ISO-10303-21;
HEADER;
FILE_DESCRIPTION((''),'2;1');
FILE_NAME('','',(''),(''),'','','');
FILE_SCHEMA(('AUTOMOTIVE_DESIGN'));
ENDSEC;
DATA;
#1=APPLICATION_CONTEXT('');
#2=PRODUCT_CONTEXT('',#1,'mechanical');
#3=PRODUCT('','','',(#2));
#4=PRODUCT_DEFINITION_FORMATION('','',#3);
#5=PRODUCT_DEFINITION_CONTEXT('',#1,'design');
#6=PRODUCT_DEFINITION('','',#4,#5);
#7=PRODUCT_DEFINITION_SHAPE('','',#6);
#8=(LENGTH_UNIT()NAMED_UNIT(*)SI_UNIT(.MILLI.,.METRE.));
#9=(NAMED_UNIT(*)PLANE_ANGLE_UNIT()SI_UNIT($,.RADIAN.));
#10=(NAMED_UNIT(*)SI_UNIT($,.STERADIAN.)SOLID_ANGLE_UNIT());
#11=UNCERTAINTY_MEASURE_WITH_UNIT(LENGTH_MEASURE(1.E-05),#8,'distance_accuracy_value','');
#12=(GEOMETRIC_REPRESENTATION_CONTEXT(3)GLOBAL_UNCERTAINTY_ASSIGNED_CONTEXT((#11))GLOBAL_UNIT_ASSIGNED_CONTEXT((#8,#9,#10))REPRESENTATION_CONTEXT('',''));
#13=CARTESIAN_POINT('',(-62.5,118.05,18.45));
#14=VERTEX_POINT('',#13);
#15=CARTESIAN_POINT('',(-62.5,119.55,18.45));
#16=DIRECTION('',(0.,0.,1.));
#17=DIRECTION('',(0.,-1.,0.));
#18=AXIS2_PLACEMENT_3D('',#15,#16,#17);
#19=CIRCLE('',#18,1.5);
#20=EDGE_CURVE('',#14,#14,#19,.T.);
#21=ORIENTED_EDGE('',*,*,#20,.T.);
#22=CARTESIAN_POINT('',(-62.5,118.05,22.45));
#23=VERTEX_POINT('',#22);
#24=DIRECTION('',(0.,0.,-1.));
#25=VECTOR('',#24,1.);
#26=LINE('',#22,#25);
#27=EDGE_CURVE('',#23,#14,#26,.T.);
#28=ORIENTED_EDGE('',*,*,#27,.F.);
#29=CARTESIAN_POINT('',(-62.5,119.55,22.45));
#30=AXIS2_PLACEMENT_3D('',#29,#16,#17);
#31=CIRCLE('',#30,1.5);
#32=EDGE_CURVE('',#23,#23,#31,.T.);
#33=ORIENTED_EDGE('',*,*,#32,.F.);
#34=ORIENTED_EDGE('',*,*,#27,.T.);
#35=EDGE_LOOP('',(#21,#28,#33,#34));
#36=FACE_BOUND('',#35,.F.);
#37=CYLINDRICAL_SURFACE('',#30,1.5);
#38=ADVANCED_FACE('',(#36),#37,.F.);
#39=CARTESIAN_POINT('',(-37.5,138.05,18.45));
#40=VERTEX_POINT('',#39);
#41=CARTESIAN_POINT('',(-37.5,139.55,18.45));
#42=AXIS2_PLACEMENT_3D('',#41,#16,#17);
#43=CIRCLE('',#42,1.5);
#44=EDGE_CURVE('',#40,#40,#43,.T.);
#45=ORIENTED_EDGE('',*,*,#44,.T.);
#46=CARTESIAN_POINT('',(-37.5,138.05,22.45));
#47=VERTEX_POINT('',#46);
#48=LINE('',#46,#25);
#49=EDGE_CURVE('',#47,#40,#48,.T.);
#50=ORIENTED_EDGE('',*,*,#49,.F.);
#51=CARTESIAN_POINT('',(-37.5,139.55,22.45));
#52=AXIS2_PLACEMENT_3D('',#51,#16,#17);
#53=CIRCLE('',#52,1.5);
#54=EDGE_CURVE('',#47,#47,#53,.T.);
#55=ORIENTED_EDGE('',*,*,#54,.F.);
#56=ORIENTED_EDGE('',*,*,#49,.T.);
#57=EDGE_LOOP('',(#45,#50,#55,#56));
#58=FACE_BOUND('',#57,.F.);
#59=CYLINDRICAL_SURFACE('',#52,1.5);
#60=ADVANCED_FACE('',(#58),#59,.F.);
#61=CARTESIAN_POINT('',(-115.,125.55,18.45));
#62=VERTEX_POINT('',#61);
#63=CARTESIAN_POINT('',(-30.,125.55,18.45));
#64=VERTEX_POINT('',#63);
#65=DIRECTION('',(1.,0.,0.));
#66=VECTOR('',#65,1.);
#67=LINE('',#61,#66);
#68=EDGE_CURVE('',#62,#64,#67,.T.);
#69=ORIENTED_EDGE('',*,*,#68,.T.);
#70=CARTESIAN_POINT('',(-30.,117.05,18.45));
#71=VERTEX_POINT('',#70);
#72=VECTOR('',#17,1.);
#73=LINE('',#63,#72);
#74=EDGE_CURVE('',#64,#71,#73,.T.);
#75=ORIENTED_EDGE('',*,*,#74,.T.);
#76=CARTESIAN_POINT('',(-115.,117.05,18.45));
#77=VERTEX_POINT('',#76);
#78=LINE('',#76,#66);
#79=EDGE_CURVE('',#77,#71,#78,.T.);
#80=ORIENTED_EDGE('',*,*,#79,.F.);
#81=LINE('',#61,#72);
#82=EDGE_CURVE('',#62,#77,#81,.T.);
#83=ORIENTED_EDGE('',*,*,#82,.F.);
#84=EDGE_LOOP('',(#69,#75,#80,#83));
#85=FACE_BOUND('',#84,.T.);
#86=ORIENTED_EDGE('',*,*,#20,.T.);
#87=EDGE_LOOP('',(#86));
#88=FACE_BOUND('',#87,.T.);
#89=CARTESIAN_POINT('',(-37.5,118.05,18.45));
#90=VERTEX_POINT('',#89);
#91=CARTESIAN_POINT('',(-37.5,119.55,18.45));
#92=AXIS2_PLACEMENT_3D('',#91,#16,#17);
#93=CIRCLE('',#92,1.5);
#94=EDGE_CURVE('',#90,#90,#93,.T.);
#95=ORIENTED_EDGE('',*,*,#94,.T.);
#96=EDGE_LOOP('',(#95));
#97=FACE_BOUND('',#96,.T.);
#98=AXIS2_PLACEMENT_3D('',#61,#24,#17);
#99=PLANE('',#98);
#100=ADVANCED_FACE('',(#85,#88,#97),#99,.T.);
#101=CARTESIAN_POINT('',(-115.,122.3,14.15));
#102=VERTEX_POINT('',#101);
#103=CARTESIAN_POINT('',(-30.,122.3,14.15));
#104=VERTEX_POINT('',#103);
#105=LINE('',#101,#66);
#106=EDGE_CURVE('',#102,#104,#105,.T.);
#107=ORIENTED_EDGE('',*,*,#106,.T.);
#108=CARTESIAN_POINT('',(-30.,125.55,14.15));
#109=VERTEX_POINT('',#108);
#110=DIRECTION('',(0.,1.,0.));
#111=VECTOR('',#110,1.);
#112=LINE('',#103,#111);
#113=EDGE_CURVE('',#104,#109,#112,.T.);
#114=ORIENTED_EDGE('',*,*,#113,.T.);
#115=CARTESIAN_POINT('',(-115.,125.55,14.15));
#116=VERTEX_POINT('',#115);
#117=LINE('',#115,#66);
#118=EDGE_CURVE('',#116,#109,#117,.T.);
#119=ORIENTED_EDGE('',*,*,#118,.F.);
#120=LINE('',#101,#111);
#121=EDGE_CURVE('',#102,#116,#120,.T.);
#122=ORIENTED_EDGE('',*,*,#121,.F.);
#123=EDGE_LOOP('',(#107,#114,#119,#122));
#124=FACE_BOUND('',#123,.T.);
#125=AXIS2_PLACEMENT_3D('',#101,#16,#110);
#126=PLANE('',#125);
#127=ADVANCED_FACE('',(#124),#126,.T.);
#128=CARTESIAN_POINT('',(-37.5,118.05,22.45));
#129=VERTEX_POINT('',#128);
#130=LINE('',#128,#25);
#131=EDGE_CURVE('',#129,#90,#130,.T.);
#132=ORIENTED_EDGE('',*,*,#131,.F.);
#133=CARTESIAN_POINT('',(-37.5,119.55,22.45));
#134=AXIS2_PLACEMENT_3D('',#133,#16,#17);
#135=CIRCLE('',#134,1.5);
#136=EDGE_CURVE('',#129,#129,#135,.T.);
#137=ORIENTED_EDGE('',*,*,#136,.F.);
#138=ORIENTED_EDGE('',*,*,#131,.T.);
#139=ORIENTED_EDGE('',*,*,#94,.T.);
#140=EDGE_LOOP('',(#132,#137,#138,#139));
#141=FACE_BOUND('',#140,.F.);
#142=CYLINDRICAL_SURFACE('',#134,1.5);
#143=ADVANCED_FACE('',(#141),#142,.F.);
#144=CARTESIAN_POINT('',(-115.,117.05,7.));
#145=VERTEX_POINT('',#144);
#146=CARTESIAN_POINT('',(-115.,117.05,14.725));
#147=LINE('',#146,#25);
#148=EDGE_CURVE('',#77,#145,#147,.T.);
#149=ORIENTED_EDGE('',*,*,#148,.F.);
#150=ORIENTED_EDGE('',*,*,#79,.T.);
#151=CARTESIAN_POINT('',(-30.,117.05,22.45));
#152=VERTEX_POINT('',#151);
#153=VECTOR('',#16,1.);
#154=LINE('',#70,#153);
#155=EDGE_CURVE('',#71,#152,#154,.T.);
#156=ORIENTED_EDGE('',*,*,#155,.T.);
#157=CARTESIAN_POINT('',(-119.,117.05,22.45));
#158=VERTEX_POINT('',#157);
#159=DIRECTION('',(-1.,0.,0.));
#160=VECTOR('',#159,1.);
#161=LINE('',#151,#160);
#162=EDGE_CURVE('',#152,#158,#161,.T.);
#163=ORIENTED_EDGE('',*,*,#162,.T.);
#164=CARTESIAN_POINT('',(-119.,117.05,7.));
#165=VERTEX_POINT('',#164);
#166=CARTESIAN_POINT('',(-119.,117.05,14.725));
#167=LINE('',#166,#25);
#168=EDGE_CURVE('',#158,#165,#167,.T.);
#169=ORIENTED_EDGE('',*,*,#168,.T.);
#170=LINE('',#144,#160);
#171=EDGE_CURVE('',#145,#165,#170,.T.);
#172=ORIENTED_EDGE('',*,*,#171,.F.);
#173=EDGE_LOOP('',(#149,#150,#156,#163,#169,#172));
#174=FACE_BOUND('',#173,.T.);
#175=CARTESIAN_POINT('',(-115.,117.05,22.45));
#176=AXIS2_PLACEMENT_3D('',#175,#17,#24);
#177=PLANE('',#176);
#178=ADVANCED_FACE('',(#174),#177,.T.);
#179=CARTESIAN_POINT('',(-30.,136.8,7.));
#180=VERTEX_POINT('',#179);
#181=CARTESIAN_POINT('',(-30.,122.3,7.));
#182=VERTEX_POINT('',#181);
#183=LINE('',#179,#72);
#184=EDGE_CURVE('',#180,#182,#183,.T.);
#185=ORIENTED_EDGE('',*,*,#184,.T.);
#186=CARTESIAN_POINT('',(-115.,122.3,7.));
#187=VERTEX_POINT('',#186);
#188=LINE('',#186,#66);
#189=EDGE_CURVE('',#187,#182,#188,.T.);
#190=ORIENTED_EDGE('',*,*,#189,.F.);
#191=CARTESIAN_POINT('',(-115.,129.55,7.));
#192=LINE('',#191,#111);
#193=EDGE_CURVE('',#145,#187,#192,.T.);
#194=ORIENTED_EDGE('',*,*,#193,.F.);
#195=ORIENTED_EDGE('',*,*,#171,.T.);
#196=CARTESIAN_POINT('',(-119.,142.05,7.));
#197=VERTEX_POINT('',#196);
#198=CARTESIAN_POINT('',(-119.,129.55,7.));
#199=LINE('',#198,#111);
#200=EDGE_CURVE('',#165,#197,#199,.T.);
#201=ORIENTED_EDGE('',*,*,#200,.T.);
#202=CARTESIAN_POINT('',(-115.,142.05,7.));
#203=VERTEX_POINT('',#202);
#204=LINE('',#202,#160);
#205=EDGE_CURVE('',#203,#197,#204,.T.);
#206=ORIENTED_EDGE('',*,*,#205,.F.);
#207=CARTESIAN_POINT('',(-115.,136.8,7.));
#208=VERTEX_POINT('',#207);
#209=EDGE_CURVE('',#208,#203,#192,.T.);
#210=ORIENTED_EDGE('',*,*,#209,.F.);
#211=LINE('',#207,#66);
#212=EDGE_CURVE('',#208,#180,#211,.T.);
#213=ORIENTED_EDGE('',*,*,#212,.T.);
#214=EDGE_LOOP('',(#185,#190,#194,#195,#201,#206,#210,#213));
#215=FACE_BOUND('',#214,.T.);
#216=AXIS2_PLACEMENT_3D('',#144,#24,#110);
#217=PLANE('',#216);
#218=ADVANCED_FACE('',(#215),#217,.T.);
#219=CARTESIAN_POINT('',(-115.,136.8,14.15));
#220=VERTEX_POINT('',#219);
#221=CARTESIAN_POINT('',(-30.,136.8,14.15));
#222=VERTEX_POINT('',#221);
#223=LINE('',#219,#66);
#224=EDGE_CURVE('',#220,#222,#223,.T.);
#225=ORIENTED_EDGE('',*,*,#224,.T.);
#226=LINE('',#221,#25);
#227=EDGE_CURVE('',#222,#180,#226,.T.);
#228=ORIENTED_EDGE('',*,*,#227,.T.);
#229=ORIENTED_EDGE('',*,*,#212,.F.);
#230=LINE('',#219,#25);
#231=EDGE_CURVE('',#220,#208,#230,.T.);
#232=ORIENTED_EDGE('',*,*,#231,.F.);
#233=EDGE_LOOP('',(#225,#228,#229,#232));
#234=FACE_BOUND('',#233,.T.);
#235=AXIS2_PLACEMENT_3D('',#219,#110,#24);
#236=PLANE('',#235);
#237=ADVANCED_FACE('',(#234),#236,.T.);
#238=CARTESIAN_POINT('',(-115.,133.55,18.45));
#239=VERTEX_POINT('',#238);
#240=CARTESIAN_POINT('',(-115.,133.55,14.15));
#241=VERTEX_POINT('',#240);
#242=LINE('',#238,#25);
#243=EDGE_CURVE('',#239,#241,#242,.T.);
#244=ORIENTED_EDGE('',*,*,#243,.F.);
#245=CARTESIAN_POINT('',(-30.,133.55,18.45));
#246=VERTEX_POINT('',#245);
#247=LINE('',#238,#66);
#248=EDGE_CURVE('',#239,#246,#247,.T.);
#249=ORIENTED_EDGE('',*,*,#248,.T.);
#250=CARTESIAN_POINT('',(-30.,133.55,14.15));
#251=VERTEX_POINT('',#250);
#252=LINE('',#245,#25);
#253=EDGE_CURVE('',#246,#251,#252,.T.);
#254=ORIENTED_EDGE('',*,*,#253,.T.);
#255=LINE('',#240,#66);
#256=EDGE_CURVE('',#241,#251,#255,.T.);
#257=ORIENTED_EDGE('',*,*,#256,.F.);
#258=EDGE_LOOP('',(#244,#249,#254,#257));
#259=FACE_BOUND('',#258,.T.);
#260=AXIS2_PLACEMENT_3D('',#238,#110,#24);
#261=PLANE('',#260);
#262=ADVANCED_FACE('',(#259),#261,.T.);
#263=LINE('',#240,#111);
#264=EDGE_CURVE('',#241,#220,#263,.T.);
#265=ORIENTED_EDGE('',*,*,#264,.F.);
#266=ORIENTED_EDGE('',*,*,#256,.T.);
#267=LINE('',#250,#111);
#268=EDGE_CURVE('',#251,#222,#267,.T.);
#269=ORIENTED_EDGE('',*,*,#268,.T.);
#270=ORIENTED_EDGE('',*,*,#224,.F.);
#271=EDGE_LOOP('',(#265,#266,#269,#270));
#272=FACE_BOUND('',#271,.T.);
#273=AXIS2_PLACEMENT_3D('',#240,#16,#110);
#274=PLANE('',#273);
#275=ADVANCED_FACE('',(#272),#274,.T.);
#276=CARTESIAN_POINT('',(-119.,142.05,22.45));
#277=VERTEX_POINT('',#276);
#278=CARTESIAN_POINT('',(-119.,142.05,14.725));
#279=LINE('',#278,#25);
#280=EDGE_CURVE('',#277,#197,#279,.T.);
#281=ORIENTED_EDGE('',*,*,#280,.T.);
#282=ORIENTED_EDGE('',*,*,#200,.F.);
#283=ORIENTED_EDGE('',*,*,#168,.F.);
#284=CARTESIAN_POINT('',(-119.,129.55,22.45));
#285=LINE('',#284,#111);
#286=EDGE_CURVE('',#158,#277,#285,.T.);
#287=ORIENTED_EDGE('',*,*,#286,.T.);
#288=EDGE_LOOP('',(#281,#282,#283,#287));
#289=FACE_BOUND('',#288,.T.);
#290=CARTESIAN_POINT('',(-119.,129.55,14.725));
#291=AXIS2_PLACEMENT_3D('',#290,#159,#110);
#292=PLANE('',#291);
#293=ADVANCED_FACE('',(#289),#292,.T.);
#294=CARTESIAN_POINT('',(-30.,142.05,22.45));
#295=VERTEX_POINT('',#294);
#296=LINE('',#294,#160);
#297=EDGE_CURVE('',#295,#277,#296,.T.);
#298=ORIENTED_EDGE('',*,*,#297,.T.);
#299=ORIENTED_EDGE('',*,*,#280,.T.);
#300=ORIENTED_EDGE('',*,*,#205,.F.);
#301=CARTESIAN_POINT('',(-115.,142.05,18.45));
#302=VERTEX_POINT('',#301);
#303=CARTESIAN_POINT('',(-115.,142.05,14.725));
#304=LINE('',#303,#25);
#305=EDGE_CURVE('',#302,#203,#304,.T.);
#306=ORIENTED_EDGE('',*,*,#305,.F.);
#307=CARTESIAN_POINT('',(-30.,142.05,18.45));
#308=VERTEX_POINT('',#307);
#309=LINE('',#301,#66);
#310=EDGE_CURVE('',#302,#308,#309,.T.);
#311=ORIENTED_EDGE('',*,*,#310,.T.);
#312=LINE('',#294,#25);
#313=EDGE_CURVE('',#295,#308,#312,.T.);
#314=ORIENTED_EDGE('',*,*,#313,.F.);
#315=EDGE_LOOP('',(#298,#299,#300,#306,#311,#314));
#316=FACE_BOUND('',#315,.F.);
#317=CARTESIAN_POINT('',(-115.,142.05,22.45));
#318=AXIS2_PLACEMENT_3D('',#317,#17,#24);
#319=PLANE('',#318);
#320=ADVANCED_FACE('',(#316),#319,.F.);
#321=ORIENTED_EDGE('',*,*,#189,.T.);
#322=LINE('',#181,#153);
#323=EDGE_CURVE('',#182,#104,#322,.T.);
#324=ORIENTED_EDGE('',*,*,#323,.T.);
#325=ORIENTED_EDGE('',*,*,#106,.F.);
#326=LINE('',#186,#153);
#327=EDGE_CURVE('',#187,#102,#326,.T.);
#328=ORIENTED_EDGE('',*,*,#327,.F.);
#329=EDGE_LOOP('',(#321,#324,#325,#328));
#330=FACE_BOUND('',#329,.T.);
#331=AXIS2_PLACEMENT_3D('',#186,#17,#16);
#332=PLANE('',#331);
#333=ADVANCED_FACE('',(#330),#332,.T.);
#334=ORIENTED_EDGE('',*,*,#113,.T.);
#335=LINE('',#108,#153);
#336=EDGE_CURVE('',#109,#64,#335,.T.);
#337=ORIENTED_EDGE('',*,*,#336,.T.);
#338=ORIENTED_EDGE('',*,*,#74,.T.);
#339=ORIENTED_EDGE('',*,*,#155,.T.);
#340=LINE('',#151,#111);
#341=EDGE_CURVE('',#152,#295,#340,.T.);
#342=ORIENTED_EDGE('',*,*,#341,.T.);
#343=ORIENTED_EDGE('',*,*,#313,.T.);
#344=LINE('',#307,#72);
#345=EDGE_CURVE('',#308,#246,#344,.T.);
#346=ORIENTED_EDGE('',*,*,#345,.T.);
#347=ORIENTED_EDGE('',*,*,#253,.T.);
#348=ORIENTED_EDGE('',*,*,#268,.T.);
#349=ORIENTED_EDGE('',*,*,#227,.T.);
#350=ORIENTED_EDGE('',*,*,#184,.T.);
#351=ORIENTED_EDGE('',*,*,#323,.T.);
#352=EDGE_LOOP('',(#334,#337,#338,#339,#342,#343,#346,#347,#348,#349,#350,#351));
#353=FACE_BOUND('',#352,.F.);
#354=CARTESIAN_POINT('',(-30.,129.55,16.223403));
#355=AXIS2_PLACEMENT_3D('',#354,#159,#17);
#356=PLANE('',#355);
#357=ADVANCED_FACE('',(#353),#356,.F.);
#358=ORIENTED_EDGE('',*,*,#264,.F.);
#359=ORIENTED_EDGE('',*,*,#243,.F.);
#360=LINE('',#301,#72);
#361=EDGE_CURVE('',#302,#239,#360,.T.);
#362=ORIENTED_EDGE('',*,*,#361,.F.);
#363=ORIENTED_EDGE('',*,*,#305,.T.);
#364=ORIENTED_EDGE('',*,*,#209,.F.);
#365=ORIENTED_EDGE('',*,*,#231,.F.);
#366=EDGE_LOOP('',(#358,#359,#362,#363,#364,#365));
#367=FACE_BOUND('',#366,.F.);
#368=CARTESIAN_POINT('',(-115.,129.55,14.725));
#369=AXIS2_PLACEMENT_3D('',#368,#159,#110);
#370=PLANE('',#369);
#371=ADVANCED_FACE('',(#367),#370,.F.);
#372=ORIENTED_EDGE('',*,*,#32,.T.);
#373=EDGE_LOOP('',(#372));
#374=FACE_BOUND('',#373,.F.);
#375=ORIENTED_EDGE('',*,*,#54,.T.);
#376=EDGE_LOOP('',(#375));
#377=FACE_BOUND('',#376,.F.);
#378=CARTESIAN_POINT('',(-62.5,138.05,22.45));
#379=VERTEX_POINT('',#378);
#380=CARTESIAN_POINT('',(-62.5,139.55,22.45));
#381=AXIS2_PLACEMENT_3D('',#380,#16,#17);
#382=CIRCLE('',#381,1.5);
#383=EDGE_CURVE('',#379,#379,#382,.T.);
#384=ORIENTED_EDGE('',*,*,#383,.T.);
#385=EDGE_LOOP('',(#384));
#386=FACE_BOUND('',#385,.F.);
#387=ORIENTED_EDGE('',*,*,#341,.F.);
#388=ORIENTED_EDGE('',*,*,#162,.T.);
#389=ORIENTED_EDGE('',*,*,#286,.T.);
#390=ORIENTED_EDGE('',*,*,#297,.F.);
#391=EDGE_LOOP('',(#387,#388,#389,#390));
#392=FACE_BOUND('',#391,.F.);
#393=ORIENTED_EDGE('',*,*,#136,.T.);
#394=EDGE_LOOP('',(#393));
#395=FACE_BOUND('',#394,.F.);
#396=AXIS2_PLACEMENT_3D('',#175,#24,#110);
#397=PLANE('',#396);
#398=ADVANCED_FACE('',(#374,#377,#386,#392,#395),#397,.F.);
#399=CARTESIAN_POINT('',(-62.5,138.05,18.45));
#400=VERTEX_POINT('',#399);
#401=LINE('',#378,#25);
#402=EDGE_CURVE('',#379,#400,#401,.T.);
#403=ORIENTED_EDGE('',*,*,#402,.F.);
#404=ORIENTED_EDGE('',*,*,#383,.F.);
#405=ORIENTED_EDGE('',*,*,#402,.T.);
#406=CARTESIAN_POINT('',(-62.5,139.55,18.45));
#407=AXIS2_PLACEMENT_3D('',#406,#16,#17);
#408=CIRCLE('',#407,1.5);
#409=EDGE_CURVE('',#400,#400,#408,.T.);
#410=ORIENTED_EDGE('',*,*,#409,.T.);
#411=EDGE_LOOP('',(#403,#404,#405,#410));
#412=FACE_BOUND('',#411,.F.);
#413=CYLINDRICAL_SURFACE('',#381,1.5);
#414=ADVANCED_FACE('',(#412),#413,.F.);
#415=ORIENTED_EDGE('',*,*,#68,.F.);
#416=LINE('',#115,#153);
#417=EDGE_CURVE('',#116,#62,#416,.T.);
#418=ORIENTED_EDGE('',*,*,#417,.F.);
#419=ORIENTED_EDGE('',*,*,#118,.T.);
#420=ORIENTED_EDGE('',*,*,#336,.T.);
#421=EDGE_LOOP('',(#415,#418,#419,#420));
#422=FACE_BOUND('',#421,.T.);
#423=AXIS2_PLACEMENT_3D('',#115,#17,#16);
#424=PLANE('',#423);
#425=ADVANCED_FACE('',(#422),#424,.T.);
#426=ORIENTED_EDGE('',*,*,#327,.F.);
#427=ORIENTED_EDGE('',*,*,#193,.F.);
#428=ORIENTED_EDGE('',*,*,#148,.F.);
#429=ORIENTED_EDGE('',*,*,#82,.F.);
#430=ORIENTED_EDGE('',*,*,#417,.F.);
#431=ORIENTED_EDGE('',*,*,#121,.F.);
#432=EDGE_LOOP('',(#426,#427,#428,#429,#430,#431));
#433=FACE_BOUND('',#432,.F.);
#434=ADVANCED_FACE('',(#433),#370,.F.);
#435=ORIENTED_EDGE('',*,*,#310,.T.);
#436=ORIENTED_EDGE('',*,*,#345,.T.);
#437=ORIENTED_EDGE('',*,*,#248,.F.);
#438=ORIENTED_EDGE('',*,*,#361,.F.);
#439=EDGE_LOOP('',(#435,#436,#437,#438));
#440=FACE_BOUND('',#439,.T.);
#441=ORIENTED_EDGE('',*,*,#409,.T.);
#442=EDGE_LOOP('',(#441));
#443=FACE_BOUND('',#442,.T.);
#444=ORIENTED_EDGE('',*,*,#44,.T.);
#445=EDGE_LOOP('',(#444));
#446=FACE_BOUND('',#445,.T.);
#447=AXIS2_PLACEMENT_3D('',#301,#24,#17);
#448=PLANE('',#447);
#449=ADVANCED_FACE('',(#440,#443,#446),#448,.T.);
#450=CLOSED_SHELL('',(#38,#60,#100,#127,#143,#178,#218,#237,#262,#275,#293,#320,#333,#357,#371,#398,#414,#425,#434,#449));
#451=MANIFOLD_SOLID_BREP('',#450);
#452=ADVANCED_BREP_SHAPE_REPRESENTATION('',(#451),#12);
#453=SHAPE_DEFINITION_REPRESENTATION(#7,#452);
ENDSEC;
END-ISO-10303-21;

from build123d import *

# Parameters (mm, degrees)
PAD120_DEPTH    = 85
SKETCH241_R     = 1.5
POCKET086_DEPTH = 15.451
SKETCH242_W     = 25
SKETCH242_H     = 15.45
PAD121_DEPTH    = 4


with BuildPart() as part:
    # Sketch240 → Pad120 (new body)
    with BuildSketch(Plane.YZ):
        Polygon((-5.25, 11.45), (-5.25, 15.45), (19.75, 15.45), (19.75, 11.45), (11.25, 11.45), (11.25, 7.15), (14.5, 7.15), (14.5, 0), (0, 0), (0, 7.15), (3.25, 7.15), (3.25, 11.45), align=None)
    extrude(amount=PAD120_DEPTH)

    # Sketch241 (on Face2 of Pad120) → Pocket086 (cut, through all)
    with BuildSketch(Plane(origin=(0, 0, 15.45), x_dir=(0, -1, 0), z_dir=(0, 0, 1))):
        with Locations((-17.25, 77.5)):
            Circle(SKETCH241_R)
        with Locations((-17.25, 52.5)):
            Circle(SKETCH241_R)
        with Locations((2.75, 52.5)):
            Circle(SKETCH241_R)
        with Locations((2.75, 77.5)):
            Circle(SKETCH241_R)
    extrude(amount=-POCKET086_DEPTH, mode=Mode.SUBTRACT)

    # Sketch242 (on Face4 of Pocket086) → Pad121 (join)
    with BuildSketch(Plane(origin=(0, 0, 0), x_dir=(0, 1, 0), z_dir=(-1, 0, 0))):
        with Locations((7.25, -7.725)):
            Rectangle(SKETCH242_W, SKETCH242_H)
    extrude(amount=PAD121_DEPTH)


with BuildPart() as part_1:
    # Body140 placement: moved
    add(part.part.moved(Location((-115, 122.3, 7))))


solid = part_1.part
